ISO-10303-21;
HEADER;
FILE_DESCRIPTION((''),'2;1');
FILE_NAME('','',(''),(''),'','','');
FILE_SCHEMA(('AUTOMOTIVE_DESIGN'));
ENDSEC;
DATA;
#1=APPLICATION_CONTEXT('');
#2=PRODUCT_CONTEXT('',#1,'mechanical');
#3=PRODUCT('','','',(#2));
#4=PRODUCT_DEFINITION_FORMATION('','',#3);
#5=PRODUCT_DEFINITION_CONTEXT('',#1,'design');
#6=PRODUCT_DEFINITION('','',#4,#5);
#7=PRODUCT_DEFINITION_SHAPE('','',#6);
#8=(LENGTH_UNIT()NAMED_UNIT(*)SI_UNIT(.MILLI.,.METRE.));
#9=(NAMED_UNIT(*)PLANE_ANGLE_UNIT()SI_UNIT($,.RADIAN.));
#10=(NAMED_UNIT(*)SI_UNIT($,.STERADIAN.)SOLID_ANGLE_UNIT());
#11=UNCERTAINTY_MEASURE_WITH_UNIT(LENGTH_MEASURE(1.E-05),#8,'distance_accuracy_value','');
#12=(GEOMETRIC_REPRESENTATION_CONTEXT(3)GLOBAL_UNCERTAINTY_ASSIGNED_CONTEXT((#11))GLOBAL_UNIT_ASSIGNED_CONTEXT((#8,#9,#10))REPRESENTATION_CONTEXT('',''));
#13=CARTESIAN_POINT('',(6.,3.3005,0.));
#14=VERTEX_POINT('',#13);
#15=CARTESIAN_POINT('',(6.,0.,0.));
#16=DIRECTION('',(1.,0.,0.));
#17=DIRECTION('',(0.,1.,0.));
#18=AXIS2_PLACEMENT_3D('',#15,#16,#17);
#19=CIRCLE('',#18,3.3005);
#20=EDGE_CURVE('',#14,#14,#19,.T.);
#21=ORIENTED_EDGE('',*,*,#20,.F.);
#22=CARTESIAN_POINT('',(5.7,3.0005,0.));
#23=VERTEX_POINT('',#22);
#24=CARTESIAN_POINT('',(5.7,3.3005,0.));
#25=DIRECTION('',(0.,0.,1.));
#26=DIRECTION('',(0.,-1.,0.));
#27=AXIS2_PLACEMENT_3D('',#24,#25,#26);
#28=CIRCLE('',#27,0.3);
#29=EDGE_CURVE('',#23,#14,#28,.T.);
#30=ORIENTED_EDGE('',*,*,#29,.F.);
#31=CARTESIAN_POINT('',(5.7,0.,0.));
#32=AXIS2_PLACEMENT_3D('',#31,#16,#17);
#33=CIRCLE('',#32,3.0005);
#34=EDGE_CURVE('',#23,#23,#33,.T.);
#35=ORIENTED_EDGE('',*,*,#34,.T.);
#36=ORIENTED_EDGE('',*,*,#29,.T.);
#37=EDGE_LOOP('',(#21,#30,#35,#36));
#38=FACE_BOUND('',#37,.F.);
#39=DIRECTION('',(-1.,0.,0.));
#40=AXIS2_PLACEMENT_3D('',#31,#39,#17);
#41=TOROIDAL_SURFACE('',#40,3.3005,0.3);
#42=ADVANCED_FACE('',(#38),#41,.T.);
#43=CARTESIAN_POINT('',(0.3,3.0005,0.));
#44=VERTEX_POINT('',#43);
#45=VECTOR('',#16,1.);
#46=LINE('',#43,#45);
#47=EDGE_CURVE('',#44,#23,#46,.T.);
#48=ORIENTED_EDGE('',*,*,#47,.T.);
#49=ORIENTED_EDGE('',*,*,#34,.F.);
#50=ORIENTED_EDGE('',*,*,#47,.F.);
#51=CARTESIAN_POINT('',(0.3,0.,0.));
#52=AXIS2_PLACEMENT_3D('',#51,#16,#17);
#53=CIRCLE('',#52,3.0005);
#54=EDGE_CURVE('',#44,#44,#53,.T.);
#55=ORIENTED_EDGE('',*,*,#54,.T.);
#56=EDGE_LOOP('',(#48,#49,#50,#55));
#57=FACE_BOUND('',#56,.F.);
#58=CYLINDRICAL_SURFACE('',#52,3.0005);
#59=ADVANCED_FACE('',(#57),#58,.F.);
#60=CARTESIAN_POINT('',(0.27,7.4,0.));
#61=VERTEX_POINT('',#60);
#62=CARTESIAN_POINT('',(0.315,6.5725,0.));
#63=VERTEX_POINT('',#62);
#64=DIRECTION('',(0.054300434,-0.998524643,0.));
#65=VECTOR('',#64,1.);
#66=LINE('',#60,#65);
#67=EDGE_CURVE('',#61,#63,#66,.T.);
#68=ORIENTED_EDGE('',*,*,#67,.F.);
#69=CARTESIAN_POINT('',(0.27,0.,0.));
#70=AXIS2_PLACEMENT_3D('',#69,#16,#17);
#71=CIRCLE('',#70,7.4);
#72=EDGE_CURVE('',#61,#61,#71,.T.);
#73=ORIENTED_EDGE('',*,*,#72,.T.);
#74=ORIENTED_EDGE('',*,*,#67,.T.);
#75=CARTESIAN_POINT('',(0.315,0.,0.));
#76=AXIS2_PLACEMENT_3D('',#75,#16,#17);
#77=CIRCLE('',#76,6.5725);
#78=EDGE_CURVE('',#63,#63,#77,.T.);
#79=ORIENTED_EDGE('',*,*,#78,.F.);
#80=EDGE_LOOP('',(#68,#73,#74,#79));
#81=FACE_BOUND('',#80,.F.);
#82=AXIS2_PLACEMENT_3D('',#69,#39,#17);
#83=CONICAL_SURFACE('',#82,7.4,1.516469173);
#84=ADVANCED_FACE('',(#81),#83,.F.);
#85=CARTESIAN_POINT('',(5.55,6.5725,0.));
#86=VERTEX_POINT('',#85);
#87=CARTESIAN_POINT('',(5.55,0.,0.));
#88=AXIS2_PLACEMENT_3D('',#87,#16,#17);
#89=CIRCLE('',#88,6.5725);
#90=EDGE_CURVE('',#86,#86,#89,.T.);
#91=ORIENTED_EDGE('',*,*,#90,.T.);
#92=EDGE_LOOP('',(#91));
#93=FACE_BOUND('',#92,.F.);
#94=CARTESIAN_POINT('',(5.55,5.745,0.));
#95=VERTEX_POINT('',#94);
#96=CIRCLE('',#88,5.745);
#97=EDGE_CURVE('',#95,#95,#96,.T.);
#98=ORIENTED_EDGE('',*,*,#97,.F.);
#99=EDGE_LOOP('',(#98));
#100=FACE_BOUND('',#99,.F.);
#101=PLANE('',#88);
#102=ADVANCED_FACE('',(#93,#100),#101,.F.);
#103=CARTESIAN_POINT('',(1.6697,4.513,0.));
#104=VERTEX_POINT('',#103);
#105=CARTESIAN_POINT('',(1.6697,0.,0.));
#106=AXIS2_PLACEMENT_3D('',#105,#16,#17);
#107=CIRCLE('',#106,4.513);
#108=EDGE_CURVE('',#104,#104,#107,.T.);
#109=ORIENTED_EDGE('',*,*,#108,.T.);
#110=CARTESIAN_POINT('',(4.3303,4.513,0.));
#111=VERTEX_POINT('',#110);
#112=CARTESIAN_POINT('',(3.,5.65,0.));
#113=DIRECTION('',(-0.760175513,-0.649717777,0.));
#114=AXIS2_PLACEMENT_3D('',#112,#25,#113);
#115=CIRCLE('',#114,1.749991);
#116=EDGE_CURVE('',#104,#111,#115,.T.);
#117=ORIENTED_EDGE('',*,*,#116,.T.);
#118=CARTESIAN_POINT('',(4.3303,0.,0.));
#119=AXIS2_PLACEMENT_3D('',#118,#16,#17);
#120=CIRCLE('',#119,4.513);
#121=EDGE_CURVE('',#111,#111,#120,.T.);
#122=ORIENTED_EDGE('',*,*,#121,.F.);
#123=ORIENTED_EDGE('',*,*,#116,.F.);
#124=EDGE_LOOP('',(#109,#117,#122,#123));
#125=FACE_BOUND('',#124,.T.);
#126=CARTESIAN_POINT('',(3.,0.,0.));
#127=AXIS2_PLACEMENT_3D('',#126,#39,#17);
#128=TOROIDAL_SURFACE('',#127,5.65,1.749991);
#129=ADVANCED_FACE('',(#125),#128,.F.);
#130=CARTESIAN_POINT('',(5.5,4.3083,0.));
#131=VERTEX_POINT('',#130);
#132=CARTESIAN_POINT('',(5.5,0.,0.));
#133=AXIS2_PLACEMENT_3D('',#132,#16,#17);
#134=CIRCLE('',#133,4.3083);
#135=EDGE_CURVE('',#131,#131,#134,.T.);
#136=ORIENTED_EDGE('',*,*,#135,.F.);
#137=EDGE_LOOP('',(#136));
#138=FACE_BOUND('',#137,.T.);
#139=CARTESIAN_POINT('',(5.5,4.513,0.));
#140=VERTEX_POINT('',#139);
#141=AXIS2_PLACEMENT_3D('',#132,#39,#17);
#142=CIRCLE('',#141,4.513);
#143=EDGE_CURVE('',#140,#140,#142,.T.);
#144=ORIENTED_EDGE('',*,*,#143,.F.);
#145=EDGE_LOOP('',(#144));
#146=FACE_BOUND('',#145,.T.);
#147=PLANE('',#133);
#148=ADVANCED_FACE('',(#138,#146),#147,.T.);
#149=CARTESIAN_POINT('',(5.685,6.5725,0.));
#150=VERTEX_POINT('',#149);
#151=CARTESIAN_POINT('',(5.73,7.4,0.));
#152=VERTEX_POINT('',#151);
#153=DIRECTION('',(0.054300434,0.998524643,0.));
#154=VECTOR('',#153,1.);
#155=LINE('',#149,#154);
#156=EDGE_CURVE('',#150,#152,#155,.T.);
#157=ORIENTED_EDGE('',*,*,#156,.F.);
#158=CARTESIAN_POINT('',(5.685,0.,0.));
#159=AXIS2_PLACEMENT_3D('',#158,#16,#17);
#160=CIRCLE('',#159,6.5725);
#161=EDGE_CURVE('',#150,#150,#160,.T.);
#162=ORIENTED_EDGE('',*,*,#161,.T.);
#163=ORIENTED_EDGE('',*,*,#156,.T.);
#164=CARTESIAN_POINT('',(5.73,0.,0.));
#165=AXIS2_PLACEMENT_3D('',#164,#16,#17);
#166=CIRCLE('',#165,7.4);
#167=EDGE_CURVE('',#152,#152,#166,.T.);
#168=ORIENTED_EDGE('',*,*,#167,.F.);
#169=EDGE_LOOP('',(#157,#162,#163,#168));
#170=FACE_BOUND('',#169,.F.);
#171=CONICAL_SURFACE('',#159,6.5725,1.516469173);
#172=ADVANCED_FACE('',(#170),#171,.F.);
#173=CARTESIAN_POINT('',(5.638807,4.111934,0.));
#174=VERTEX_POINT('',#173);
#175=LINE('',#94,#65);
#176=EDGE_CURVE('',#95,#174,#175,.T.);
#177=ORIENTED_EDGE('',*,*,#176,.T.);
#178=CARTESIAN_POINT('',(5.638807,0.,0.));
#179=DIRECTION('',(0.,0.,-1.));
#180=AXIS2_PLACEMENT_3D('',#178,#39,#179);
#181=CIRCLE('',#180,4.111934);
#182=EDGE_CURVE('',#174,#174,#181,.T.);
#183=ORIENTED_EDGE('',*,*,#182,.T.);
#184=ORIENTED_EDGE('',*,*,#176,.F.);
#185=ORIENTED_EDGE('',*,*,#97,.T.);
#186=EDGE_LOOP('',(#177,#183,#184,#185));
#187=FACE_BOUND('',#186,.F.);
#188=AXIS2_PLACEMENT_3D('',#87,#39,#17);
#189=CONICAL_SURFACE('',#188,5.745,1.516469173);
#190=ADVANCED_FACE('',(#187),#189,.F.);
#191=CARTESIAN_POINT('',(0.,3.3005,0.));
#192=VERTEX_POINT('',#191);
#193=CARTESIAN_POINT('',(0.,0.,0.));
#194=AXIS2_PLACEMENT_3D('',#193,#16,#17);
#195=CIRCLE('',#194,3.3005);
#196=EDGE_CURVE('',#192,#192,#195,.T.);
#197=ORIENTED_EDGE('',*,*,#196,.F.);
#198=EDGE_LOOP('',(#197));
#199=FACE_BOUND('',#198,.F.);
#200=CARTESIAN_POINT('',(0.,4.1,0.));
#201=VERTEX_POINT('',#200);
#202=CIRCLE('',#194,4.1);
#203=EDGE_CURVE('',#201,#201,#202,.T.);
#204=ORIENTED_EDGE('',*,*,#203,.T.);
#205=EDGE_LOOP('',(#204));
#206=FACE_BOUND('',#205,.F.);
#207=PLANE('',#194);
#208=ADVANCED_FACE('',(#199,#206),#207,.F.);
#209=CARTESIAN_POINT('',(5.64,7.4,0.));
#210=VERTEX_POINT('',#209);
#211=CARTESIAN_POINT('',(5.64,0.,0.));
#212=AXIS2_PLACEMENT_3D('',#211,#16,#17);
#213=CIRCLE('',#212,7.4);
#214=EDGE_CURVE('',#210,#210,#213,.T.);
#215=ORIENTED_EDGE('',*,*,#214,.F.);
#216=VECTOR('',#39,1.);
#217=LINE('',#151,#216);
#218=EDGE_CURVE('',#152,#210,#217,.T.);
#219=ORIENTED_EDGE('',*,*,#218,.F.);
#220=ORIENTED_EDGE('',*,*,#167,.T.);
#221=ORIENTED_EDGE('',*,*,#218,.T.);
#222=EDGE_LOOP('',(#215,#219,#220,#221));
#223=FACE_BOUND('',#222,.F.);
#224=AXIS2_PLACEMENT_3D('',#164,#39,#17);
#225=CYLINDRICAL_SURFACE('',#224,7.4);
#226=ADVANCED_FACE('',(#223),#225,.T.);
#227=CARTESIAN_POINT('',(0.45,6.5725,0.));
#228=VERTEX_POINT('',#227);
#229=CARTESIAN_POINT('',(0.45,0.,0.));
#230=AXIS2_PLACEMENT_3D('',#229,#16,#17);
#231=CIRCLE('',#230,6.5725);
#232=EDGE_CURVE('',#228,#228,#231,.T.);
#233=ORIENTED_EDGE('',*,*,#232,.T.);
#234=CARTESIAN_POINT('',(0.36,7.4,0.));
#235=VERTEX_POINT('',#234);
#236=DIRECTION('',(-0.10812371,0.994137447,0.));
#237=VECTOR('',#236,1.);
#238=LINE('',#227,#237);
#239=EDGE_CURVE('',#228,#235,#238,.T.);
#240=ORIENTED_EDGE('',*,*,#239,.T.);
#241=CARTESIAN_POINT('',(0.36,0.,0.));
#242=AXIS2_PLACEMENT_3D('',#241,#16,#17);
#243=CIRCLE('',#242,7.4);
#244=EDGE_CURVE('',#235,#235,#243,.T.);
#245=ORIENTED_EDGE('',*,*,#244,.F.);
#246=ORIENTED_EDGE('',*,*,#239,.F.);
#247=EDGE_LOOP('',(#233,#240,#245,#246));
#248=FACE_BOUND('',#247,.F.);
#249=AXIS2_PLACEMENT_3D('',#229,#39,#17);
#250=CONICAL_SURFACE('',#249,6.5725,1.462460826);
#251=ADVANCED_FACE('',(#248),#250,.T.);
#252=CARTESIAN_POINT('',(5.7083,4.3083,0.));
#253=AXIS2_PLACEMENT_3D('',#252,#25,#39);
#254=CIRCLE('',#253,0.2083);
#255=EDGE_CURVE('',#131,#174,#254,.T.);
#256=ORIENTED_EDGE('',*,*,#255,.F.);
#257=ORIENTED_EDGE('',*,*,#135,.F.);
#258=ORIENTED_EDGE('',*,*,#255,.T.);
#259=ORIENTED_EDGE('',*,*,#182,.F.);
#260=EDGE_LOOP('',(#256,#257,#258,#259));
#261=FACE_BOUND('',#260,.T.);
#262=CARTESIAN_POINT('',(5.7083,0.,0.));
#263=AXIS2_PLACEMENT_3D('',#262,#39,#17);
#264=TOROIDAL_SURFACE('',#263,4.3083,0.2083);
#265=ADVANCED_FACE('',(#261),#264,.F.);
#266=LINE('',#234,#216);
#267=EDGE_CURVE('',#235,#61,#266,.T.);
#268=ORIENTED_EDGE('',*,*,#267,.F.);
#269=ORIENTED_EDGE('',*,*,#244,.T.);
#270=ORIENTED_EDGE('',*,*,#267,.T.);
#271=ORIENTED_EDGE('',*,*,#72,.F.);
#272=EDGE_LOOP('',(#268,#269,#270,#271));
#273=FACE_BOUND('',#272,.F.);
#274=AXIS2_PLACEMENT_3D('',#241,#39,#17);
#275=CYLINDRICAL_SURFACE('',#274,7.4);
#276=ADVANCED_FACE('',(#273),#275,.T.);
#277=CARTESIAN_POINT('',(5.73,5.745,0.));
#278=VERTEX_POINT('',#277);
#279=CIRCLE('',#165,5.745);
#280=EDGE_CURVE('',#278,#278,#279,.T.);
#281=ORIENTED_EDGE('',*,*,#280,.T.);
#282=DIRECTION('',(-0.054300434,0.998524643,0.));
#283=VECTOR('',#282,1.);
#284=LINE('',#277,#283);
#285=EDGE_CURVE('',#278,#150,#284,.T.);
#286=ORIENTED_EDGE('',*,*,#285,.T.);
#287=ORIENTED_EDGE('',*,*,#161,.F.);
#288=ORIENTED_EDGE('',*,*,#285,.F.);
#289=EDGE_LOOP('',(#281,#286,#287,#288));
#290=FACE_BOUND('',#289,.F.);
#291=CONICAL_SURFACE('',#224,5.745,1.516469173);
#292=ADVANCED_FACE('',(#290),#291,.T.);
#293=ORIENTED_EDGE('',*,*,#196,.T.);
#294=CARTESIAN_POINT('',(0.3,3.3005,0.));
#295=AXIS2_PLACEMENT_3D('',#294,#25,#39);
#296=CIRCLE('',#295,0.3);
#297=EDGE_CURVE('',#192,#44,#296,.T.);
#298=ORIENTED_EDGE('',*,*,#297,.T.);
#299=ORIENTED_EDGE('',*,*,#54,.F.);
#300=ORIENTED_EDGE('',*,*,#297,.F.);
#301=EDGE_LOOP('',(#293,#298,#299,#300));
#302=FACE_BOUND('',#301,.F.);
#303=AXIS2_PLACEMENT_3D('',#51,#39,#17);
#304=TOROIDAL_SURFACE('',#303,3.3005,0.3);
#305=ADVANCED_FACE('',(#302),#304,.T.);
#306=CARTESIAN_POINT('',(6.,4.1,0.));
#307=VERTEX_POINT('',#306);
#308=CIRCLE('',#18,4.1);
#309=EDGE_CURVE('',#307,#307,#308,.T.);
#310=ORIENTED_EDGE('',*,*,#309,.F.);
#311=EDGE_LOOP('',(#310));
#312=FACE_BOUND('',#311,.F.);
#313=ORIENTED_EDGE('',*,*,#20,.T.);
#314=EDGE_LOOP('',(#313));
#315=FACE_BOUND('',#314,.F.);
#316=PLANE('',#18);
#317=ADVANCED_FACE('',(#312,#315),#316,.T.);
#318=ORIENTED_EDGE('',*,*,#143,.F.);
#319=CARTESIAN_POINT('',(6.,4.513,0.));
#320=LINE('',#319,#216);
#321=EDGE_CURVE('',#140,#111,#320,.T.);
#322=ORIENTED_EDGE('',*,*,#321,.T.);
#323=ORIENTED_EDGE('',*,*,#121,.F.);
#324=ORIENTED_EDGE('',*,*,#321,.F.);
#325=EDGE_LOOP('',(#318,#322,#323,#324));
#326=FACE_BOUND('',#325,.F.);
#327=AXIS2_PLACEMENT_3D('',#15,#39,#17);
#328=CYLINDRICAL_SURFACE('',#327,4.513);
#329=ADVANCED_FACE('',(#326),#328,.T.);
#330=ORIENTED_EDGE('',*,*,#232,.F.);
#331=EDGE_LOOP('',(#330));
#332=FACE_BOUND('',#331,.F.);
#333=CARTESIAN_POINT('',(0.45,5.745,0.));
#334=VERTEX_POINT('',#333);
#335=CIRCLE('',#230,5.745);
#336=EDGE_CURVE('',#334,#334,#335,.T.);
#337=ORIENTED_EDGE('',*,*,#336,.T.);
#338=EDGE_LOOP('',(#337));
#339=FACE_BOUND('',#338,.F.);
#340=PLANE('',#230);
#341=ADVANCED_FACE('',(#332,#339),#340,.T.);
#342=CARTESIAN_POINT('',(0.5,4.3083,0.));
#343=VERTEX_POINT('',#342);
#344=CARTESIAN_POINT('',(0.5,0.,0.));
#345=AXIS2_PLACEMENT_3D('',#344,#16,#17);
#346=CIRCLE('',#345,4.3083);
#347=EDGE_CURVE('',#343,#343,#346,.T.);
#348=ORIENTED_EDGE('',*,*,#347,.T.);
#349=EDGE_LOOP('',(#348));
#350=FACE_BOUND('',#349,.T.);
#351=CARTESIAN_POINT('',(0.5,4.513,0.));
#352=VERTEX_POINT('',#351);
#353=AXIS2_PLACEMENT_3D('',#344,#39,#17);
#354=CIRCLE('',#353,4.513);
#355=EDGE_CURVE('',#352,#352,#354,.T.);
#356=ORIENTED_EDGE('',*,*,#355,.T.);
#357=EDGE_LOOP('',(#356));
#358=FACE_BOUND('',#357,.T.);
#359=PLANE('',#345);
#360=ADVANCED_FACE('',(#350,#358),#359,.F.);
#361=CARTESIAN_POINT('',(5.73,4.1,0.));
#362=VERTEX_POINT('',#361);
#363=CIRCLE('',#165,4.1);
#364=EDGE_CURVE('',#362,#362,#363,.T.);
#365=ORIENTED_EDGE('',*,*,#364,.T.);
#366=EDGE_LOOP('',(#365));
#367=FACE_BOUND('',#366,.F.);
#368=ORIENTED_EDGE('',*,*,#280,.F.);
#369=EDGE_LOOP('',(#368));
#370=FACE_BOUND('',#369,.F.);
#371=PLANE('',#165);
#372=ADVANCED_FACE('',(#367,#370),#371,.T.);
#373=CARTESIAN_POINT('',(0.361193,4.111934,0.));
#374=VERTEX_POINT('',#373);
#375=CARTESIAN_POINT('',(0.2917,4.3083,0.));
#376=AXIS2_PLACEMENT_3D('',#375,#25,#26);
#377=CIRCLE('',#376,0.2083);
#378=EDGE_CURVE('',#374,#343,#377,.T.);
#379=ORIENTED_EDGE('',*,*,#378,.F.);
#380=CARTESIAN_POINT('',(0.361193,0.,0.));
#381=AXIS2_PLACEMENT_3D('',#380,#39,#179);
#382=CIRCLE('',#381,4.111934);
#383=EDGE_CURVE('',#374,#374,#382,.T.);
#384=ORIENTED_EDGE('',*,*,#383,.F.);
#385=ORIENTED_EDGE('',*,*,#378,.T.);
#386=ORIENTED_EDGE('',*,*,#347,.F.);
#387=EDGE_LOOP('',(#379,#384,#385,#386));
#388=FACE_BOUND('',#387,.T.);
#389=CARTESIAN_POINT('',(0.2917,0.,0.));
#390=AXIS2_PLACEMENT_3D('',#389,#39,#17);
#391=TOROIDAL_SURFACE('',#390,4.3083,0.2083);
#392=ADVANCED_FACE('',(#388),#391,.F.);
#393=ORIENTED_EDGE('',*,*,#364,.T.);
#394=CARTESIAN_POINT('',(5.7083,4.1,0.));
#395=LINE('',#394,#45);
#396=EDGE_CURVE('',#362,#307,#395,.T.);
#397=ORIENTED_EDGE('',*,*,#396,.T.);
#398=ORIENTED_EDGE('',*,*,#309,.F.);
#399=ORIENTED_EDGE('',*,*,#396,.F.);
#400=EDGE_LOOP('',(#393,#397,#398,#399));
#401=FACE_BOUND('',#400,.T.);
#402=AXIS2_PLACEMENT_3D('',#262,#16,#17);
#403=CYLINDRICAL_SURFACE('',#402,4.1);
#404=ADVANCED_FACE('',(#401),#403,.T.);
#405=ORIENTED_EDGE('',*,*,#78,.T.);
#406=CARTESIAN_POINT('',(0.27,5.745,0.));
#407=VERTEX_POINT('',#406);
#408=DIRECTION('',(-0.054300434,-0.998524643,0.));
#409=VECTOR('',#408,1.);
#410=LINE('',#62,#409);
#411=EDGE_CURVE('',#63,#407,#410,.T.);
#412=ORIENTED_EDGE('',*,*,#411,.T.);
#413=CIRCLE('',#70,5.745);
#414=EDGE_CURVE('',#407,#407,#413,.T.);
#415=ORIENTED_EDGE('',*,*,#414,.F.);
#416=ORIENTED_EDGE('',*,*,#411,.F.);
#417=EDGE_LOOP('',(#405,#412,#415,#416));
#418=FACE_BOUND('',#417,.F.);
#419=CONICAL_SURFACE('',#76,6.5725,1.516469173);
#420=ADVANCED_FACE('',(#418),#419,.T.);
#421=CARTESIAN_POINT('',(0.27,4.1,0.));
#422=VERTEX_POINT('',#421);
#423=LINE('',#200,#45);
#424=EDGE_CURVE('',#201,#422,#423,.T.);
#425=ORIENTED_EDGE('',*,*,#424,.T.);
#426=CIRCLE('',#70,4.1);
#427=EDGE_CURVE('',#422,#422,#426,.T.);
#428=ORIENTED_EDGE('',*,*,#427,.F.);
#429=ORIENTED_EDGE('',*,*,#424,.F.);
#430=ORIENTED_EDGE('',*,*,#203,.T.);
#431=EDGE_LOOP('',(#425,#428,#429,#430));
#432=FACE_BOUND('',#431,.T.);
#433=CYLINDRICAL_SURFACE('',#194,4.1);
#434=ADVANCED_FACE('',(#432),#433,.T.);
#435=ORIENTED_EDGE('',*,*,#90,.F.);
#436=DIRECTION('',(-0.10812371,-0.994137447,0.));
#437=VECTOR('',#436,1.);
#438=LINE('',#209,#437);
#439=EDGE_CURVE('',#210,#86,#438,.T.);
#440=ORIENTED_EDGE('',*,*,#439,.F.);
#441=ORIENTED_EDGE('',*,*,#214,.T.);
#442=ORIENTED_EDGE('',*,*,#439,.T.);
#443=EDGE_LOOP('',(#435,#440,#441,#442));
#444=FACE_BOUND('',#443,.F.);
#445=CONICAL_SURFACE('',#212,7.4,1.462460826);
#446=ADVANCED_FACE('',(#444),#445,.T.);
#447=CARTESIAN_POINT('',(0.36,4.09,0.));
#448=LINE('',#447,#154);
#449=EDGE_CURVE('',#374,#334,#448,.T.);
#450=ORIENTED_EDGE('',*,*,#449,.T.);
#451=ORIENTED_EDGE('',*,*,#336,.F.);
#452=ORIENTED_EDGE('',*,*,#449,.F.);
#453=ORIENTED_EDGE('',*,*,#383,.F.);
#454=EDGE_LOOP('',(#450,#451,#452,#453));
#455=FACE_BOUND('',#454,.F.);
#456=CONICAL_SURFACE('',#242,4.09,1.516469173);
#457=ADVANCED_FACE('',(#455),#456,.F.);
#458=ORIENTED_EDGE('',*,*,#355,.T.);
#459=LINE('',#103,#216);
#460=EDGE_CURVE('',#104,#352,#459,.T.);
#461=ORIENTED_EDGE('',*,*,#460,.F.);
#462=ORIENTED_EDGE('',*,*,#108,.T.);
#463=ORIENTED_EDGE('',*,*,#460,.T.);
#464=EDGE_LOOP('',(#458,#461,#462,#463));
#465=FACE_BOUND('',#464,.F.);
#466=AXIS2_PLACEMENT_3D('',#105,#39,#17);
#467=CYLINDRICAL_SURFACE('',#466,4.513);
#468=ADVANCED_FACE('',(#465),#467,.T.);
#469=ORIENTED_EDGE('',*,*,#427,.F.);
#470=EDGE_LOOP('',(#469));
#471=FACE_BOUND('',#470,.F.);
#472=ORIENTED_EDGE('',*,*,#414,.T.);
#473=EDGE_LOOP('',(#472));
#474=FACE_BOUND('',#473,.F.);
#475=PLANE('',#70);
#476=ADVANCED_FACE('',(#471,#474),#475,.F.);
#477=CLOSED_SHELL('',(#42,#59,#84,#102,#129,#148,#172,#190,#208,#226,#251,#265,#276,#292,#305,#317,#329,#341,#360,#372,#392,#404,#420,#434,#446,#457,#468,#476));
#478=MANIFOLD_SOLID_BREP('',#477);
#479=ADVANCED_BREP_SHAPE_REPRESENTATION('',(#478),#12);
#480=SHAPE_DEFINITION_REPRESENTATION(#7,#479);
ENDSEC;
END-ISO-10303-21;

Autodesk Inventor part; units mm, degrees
ref_plane "YZ Plane" through (0, 0, 0) normal (1, 0, 0) x (0, 1, 0)
ref_plane "XZ Plane" through (0, 0, 0) normal (0, 1, 0) x (-1, 0, 0)
ref_plane "XY Plane" through (0, 0, 0) normal (0, 0, 1) x (1, 0, 0)
sketch "Sketch_18" plane through (0, 0, 0) normal (0, 0, 1) x (1, 0, 0)
  line L0 (50, 0) -> (-50, 0)
  arc A0 (0, 3.3005) -> (0.3, 3.0005) centre (0.3, 3.3005) ccw
  line L1 (0.3, 3.0005) -> (5.7, 3.0005)
  arc A1 (5.7, 3.0005) -> (6, 3.3005) centre (5.7, 3.3005) ccw
  line L2 (6, 3.3005) -> (6, 4.513)
  line L3 (6, 4.513) -> (4.3303, 4.513)
  arc A2 (1.6697, 4.513) -> (4.3303, 4.513) centre (3, 5.65) ccw
  line L4 (1.6697, 4.513) -> (0, 4.513)
  line L5 (0, 4.513) -> (0, 3.3005)
revolve "Revolution1" add sketch "Sketch_18" angle 360 about axis through (50, 0, 0) along (1, 0, 0)
sketch "Sketch_19" plane through (0, 0, 0) normal (0, 0, 1) x (1, 0, 0)
  line L0 (50, 0) -> (-50, 0)
  line L1 (0, 5.5125) -> (0, 4.1)
  line L2 (0, 4.1) -> (0.2917, 4.1)
  arc A0 (0.2917, 4.1) -> (0.5, 4.3083) centre (0.2917, 4.3083) ccw
  line L3 (0.5, 4.3083) -> (0.5, 5.1792)
  line L4 (0.5, 5.1792) -> (5.5, 5.1792)
  line L5 (5.5, 5.1792) -> (5.5, 4.3083)
  arc A1 (5.5, 4.3083) -> (5.7083, 4.1) centre (5.7083, 4.3083) ccw
  line L6 (5.7083, 4.1) -> (6, 4.1)
  line L7 (6, 4.1) -> (6, 5.5125)
  line L8 (6, 5.5125) -> (0, 5.5125)
revolve "Revolution2" cut sketch "Sketch_19" angle 360 about axis through (50, 0, 0) along (1, 0, 0)
sketch "Sketch_20" plane through (0, 0, 0) normal (0, 0, 1) x (1, 0, 0)
  line L0 (50, 0) -> (-50, 0)
  line L1 (0.27, 7.4) -> (0.315, 6.5725)
  line L2 (0.315, 6.5725) -> (0.27, 5.745)
  line L3 (0.27, 5.745) -> (0.27, 4.09)
  line L4 (0.27, 4.09) -> (0.36, 4.09)
  line L5 (0.36, 4.09) -> (0.45, 5.745)
  line L6 (0.45, 5.745) -> (0.45, 6.5725)
  line L7 (0.45, 6.5725) -> (0.36, 7.4)
  line L8 (0.36, 7.4) -> (0.27, 7.4)
revolve "Revolution3" add sketch "Sketch_20" angle 360 about axis through (50, 0, 0) along (1, 0, 0)
sketch "Sketch_21" plane through (0, 0, 0) normal (0, 0, 1) x (1, 0, 0)
  line L0 (50, 0) -> (-50, 0)
  line L1 (5.55, 6.5725) -> (5.55, 5.745)
  line L2 (5.55, 5.745) -> (5.64, 4.09)
  line L3 (5.64, 4.09) -> (5.73, 4.09)
  line L4 (5.73, 4.09) -> (5.73, 5.745)
  line L5 (5.73, 5.745) -> (5.685, 6.5725)
  line L6 (5.685, 6.5725) -> (5.73, 7.4)
  line L7 (5.73, 7.4) -> (5.64, 7.4)
  line L8 (5.64, 7.4) -> (5.55, 6.5725)
revolve "Revolution4" add sketch "Sketch_21" angle 360 about axis through (50, 0, 0) along (1, 0, 0)
properties part number "W 606-2Z_PART1" material "Stainless Steel"
